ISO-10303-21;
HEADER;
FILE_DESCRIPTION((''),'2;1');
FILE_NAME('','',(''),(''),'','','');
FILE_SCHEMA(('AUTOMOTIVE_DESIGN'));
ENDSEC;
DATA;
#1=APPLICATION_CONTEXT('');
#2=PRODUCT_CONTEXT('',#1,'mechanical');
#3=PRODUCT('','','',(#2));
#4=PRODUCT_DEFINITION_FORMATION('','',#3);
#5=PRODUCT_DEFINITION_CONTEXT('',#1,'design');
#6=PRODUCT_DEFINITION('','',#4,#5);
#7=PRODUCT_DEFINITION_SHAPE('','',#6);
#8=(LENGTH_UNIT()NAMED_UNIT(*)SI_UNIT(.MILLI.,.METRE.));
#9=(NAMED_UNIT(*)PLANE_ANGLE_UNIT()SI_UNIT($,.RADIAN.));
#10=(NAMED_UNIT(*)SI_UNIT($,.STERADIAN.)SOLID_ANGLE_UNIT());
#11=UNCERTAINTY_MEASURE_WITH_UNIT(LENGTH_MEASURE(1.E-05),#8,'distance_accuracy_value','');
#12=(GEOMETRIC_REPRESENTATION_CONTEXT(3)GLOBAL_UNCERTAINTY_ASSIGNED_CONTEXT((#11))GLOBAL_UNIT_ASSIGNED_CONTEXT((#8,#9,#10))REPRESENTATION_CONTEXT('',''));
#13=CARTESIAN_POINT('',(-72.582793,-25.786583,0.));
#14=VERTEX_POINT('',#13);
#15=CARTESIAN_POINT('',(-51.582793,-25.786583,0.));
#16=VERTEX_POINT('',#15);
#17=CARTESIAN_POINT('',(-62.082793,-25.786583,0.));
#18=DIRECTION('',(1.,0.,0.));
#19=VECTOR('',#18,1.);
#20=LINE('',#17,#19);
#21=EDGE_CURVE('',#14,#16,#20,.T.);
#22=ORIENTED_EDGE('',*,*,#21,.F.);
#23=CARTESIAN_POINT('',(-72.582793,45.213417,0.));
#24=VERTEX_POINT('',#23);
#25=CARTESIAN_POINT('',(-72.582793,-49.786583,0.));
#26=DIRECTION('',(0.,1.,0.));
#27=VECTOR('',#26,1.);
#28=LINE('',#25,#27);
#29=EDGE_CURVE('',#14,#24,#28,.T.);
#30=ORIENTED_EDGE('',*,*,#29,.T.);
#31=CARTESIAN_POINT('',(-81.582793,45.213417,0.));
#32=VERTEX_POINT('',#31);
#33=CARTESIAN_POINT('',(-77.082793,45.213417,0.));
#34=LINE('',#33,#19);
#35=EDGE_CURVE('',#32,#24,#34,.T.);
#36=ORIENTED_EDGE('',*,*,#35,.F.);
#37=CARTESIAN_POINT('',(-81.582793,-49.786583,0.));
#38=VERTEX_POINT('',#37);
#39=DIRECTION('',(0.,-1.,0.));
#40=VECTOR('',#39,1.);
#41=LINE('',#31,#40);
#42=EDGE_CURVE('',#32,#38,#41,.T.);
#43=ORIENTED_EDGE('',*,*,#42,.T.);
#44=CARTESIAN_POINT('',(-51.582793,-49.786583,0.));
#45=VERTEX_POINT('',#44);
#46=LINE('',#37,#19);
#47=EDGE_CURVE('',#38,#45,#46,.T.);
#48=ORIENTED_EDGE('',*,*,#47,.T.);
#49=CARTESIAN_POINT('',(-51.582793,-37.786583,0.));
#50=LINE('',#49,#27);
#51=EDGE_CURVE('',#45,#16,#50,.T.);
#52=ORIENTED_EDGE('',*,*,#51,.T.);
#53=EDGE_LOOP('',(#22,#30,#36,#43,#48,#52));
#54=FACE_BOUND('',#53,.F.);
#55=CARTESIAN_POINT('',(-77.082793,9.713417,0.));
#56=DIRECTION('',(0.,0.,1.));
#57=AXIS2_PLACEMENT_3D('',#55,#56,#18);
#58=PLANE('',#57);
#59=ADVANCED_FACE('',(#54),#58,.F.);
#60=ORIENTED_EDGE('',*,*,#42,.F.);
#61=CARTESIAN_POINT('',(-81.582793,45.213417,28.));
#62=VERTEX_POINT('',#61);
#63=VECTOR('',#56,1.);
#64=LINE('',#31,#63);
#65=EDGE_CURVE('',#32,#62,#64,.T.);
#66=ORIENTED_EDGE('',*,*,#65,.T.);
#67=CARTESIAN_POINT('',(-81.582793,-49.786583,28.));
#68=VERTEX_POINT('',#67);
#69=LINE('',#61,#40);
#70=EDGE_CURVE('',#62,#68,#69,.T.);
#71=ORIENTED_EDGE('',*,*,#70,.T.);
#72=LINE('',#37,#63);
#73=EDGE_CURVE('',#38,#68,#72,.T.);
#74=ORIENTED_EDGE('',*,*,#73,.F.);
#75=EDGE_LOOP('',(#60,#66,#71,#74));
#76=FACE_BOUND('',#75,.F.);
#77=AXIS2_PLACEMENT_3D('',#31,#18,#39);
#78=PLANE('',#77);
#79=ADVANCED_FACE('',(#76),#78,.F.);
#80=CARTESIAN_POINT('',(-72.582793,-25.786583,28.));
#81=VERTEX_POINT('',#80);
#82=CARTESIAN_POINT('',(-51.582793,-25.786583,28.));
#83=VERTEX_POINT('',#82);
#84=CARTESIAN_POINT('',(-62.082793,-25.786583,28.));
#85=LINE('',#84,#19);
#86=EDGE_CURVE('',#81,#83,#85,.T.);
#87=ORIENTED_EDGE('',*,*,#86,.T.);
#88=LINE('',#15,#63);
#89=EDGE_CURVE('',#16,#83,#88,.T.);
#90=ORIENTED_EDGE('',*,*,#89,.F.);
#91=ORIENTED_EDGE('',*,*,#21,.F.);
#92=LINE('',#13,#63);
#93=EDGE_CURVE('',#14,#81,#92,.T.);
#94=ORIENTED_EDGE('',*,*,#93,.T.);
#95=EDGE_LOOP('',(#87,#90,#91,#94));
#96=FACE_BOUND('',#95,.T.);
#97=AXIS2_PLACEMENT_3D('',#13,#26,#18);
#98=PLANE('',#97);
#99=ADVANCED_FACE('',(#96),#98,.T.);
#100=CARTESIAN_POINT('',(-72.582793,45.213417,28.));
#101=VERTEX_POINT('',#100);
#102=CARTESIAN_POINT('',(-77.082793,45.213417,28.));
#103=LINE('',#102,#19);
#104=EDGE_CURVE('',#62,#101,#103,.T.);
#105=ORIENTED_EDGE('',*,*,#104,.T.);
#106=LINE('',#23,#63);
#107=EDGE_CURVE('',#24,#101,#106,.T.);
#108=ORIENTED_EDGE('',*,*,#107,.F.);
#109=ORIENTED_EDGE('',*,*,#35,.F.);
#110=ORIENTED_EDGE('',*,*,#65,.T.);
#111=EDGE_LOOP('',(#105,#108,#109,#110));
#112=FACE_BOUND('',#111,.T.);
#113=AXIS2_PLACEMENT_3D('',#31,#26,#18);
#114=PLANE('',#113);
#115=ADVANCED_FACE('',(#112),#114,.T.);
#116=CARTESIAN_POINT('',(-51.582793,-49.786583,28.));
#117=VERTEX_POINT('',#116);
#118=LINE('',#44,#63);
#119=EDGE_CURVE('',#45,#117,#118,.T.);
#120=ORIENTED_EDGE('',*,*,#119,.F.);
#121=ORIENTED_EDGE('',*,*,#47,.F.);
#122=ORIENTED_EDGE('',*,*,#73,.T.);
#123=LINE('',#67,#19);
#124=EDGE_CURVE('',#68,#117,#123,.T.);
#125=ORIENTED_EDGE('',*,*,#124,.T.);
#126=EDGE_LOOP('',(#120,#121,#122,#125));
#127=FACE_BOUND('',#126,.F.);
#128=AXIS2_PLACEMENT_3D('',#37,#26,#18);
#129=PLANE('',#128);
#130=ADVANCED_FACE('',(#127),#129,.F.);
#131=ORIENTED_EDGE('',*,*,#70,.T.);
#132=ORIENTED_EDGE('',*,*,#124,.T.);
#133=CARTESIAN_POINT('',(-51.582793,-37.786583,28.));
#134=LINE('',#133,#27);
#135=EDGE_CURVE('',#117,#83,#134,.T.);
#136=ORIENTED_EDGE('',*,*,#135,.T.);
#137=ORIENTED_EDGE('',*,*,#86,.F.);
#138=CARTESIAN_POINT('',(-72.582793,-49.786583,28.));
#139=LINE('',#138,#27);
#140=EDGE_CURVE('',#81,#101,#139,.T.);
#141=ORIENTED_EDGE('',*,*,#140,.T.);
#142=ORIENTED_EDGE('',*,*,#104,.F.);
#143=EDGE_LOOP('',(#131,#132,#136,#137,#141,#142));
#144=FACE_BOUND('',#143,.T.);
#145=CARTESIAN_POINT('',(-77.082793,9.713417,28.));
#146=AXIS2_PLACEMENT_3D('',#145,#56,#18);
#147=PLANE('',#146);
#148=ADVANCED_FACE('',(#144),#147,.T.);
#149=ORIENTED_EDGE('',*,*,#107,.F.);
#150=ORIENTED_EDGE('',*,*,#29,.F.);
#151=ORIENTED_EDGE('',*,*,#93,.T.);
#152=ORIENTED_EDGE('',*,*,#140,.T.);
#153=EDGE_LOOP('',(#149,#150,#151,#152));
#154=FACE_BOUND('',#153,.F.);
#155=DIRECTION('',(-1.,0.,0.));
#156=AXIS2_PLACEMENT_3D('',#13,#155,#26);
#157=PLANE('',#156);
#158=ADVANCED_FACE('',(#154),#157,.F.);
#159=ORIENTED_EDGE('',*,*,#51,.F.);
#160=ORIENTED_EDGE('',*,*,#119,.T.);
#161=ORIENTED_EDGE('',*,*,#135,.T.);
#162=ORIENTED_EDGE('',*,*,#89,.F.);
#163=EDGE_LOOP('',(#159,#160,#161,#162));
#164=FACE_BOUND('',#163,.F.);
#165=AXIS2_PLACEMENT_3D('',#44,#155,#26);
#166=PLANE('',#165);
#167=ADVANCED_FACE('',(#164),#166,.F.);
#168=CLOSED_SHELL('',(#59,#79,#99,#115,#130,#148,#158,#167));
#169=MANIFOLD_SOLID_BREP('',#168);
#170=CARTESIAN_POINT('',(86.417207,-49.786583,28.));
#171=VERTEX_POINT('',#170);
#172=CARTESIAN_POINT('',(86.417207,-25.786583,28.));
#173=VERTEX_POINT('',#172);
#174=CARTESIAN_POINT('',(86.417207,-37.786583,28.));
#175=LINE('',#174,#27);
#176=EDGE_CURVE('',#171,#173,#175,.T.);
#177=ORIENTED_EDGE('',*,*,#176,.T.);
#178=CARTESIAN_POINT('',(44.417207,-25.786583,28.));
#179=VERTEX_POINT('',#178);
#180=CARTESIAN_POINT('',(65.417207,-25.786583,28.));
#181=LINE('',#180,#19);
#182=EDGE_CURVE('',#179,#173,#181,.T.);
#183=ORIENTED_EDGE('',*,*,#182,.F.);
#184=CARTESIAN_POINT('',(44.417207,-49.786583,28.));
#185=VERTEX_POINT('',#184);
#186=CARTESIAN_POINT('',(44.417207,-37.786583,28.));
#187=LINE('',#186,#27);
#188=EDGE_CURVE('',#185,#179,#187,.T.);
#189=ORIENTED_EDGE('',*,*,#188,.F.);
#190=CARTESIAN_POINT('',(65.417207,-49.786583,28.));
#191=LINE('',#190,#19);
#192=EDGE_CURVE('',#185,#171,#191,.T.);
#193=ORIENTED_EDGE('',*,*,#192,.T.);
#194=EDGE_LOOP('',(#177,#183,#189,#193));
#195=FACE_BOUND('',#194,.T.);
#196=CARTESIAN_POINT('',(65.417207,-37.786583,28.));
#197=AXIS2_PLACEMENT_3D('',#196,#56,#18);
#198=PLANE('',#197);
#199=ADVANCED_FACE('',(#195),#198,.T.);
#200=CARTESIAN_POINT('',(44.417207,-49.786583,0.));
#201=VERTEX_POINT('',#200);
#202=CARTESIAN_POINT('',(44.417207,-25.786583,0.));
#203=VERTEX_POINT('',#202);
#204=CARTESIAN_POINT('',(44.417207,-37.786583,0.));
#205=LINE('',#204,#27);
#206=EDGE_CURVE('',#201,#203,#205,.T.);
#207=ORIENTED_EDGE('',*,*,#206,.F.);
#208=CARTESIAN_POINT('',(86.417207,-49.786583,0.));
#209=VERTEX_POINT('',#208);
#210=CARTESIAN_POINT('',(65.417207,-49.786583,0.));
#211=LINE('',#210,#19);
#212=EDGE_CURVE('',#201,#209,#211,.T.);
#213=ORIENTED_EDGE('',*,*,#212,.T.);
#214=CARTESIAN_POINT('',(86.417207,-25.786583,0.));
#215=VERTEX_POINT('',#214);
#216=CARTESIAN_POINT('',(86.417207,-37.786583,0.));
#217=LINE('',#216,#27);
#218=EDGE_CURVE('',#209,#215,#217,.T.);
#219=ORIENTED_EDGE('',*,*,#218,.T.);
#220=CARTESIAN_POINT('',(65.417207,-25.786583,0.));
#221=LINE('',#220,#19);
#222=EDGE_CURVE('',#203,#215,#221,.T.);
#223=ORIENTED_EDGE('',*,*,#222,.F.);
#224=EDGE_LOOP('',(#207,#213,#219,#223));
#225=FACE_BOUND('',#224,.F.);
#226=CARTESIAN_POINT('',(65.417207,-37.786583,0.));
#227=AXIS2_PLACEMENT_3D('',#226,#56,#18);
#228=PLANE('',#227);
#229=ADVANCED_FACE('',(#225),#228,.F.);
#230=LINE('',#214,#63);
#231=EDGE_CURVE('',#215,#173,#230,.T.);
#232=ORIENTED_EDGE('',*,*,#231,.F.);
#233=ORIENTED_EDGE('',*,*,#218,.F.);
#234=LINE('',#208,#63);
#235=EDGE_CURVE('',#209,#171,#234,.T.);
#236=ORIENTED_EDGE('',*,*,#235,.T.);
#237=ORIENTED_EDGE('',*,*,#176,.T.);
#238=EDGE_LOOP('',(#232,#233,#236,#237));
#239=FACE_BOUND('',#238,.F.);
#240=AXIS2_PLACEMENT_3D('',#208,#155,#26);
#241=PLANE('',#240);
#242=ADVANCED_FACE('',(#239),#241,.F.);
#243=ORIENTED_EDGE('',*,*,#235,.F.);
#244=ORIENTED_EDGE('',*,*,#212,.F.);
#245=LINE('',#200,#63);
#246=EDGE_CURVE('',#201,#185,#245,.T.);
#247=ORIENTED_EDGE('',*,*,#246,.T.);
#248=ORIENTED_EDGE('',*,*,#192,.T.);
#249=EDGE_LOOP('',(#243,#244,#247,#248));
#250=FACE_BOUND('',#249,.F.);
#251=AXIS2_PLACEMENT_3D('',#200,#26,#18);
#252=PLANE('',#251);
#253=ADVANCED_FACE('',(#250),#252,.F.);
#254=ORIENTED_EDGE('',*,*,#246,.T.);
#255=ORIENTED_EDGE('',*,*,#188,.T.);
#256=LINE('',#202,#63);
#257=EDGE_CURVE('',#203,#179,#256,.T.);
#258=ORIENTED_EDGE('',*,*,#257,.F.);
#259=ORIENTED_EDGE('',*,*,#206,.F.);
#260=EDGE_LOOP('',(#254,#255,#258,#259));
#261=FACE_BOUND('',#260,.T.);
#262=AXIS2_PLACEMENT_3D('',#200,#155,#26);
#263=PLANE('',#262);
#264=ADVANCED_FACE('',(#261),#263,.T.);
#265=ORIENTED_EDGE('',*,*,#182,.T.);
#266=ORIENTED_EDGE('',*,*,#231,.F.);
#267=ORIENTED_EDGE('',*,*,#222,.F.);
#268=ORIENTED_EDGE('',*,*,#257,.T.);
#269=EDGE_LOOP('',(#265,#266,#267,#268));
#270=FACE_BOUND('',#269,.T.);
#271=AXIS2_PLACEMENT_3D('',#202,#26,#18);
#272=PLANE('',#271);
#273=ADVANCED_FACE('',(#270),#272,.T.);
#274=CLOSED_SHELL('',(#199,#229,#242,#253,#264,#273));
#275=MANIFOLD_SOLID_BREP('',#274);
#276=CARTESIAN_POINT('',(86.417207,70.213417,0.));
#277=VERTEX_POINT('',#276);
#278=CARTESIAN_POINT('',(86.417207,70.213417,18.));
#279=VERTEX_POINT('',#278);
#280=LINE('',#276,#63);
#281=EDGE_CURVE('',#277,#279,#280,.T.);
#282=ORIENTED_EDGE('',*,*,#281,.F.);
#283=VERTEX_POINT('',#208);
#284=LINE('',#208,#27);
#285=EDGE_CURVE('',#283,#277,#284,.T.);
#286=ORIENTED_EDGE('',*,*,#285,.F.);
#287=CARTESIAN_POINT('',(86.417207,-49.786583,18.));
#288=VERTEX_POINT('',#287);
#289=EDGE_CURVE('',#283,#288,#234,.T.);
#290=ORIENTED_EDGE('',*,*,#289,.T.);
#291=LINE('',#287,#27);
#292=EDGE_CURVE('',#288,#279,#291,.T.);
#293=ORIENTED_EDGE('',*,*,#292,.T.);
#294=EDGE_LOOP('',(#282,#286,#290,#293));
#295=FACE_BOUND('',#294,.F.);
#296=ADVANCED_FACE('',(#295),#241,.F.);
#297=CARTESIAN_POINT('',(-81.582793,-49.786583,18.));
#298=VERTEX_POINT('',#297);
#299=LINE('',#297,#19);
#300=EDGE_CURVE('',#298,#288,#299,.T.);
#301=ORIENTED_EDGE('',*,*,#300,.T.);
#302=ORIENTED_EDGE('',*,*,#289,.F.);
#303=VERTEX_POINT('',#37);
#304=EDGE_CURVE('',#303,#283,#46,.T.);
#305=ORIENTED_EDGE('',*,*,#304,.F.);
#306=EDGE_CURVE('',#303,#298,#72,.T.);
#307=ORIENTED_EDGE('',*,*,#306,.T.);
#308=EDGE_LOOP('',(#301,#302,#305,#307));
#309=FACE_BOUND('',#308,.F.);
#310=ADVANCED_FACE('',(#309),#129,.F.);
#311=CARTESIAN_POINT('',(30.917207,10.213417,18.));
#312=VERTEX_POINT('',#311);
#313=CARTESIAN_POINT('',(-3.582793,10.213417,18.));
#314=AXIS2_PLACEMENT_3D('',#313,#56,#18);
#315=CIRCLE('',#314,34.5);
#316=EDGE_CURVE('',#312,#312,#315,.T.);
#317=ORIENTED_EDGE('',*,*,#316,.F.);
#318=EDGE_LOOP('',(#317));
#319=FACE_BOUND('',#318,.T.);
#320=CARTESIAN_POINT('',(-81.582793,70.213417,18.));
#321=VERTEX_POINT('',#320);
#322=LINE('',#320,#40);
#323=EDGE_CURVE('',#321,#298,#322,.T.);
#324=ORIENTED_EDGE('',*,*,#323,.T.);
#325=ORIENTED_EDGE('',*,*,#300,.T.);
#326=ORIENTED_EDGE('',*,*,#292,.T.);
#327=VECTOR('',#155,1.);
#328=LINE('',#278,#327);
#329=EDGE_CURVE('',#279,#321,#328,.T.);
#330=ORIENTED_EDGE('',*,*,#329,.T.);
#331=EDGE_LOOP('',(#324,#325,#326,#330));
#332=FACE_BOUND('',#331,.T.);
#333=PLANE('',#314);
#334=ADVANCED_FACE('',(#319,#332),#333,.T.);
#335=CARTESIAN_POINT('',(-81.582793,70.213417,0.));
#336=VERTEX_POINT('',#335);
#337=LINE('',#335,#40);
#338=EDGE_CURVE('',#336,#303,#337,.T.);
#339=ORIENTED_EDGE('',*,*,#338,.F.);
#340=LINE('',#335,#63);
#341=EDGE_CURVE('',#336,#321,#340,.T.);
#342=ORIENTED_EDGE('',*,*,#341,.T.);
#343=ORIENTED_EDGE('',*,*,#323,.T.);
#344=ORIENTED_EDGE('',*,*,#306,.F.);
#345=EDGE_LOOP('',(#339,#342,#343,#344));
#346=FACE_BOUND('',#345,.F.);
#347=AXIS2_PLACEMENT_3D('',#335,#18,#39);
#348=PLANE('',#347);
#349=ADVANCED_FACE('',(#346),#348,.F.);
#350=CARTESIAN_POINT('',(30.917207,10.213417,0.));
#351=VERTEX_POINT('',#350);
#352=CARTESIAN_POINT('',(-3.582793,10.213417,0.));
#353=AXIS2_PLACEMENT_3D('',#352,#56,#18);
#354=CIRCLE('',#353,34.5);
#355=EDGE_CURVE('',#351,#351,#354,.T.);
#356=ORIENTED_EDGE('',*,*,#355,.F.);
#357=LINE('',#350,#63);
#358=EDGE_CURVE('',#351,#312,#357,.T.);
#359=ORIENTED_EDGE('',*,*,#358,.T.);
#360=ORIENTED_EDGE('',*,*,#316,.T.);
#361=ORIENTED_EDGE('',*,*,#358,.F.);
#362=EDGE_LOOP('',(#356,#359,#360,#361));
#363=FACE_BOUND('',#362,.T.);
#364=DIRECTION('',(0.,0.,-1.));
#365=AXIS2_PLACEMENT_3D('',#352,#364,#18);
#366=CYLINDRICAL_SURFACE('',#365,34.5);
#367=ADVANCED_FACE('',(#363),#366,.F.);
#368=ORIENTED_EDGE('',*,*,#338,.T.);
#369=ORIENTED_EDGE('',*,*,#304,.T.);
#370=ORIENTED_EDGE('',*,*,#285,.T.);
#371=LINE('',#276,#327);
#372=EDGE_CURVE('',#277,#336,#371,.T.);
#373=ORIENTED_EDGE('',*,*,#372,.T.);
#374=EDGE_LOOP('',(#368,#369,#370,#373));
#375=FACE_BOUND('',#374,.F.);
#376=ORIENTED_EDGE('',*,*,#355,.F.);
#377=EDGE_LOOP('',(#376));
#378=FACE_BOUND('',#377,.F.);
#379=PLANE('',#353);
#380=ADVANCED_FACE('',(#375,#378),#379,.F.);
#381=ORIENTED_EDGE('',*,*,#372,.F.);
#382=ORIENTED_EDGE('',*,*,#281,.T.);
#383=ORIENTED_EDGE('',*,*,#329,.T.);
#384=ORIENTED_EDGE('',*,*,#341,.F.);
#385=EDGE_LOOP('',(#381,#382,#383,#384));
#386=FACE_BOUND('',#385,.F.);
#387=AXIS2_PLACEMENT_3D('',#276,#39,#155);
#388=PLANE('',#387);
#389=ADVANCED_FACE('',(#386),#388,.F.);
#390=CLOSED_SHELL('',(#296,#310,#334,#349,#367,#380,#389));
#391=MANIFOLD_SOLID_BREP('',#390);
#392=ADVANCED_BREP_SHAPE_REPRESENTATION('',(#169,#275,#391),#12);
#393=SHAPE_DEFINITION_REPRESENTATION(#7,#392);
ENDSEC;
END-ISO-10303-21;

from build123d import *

# Parameters (mm, degrees)
F0_W     = 9
F0_H     = 71
F0_H_2   = 24
F0_W_2   = 21
F0_W_3   = 42
F1_DEPTH = 28
F0_R     = 48
F2_DEPTH = 18
F0_R_2   = 34.5
F3_DEPTH = 18


with BuildPart() as f1:
    # F0 (on Top) → F1 (new body)
    with BuildSketch(Plane.XY):
        with Locations((-77.082793, 9.713417)):
            Rectangle(F0_W, F0_H)
        with Locations((-77.082793, -37.786583)):
            Rectangle(F0_W, F0_H_2)
        with Locations((-62.082793, -37.786583)):
            Rectangle(F0_W_2, F0_H_2)
        with Locations((65.417207, -37.786583)):
            Rectangle(F0_W_3, F0_H_2)
    extrude(amount=F1_DEPTH)


with BuildPart() as f2:
    # F0 (on Top) → F2 (new body)
    with BuildSketch(Plane.XY):
        Polygon((86.417207, 70.213417), (-81.582793, 70.213417), (-81.582793, 45.213417), (-72.582793, 45.213417), (-72.582793, -25.786583), (-51.582793, -25.786583), (-51.582793, -49.786583), (44.417207, -49.786583), (44.417207, -25.786583), (86.417207, -25.786583), align=None)
        with Locations((-3.582793, 10.213417)):
            Circle(F0_R, mode=Mode.SUBTRACT)
        with Locations((-77.082793, 9.713417)):
            Rectangle(F0_W, F0_H)
        with Locations((65.417207, -37.786583)):
            Rectangle(F0_W_3, F0_H_2)
        with Locations((-77.082793, -37.786583)):
            Rectangle(F0_W, F0_H_2)
        with Locations((-62.082793, -37.786583)):
            Rectangle(F0_W_2, F0_H_2)
    extrude(amount=F2_DEPTH)

    # F0 (on Top) → F3 (join)
    with BuildSketch(Plane.XY):
        with Locations((-3.582793, 10.213417)):
            Circle(F0_R)
        with Locations((-3.582793, 10.213417)):
            Circle(F0_R_2, mode=Mode.SUBTRACT)
    extrude(amount=F3_DEPTH)


solid = Compound([f1.part, f2.part])
